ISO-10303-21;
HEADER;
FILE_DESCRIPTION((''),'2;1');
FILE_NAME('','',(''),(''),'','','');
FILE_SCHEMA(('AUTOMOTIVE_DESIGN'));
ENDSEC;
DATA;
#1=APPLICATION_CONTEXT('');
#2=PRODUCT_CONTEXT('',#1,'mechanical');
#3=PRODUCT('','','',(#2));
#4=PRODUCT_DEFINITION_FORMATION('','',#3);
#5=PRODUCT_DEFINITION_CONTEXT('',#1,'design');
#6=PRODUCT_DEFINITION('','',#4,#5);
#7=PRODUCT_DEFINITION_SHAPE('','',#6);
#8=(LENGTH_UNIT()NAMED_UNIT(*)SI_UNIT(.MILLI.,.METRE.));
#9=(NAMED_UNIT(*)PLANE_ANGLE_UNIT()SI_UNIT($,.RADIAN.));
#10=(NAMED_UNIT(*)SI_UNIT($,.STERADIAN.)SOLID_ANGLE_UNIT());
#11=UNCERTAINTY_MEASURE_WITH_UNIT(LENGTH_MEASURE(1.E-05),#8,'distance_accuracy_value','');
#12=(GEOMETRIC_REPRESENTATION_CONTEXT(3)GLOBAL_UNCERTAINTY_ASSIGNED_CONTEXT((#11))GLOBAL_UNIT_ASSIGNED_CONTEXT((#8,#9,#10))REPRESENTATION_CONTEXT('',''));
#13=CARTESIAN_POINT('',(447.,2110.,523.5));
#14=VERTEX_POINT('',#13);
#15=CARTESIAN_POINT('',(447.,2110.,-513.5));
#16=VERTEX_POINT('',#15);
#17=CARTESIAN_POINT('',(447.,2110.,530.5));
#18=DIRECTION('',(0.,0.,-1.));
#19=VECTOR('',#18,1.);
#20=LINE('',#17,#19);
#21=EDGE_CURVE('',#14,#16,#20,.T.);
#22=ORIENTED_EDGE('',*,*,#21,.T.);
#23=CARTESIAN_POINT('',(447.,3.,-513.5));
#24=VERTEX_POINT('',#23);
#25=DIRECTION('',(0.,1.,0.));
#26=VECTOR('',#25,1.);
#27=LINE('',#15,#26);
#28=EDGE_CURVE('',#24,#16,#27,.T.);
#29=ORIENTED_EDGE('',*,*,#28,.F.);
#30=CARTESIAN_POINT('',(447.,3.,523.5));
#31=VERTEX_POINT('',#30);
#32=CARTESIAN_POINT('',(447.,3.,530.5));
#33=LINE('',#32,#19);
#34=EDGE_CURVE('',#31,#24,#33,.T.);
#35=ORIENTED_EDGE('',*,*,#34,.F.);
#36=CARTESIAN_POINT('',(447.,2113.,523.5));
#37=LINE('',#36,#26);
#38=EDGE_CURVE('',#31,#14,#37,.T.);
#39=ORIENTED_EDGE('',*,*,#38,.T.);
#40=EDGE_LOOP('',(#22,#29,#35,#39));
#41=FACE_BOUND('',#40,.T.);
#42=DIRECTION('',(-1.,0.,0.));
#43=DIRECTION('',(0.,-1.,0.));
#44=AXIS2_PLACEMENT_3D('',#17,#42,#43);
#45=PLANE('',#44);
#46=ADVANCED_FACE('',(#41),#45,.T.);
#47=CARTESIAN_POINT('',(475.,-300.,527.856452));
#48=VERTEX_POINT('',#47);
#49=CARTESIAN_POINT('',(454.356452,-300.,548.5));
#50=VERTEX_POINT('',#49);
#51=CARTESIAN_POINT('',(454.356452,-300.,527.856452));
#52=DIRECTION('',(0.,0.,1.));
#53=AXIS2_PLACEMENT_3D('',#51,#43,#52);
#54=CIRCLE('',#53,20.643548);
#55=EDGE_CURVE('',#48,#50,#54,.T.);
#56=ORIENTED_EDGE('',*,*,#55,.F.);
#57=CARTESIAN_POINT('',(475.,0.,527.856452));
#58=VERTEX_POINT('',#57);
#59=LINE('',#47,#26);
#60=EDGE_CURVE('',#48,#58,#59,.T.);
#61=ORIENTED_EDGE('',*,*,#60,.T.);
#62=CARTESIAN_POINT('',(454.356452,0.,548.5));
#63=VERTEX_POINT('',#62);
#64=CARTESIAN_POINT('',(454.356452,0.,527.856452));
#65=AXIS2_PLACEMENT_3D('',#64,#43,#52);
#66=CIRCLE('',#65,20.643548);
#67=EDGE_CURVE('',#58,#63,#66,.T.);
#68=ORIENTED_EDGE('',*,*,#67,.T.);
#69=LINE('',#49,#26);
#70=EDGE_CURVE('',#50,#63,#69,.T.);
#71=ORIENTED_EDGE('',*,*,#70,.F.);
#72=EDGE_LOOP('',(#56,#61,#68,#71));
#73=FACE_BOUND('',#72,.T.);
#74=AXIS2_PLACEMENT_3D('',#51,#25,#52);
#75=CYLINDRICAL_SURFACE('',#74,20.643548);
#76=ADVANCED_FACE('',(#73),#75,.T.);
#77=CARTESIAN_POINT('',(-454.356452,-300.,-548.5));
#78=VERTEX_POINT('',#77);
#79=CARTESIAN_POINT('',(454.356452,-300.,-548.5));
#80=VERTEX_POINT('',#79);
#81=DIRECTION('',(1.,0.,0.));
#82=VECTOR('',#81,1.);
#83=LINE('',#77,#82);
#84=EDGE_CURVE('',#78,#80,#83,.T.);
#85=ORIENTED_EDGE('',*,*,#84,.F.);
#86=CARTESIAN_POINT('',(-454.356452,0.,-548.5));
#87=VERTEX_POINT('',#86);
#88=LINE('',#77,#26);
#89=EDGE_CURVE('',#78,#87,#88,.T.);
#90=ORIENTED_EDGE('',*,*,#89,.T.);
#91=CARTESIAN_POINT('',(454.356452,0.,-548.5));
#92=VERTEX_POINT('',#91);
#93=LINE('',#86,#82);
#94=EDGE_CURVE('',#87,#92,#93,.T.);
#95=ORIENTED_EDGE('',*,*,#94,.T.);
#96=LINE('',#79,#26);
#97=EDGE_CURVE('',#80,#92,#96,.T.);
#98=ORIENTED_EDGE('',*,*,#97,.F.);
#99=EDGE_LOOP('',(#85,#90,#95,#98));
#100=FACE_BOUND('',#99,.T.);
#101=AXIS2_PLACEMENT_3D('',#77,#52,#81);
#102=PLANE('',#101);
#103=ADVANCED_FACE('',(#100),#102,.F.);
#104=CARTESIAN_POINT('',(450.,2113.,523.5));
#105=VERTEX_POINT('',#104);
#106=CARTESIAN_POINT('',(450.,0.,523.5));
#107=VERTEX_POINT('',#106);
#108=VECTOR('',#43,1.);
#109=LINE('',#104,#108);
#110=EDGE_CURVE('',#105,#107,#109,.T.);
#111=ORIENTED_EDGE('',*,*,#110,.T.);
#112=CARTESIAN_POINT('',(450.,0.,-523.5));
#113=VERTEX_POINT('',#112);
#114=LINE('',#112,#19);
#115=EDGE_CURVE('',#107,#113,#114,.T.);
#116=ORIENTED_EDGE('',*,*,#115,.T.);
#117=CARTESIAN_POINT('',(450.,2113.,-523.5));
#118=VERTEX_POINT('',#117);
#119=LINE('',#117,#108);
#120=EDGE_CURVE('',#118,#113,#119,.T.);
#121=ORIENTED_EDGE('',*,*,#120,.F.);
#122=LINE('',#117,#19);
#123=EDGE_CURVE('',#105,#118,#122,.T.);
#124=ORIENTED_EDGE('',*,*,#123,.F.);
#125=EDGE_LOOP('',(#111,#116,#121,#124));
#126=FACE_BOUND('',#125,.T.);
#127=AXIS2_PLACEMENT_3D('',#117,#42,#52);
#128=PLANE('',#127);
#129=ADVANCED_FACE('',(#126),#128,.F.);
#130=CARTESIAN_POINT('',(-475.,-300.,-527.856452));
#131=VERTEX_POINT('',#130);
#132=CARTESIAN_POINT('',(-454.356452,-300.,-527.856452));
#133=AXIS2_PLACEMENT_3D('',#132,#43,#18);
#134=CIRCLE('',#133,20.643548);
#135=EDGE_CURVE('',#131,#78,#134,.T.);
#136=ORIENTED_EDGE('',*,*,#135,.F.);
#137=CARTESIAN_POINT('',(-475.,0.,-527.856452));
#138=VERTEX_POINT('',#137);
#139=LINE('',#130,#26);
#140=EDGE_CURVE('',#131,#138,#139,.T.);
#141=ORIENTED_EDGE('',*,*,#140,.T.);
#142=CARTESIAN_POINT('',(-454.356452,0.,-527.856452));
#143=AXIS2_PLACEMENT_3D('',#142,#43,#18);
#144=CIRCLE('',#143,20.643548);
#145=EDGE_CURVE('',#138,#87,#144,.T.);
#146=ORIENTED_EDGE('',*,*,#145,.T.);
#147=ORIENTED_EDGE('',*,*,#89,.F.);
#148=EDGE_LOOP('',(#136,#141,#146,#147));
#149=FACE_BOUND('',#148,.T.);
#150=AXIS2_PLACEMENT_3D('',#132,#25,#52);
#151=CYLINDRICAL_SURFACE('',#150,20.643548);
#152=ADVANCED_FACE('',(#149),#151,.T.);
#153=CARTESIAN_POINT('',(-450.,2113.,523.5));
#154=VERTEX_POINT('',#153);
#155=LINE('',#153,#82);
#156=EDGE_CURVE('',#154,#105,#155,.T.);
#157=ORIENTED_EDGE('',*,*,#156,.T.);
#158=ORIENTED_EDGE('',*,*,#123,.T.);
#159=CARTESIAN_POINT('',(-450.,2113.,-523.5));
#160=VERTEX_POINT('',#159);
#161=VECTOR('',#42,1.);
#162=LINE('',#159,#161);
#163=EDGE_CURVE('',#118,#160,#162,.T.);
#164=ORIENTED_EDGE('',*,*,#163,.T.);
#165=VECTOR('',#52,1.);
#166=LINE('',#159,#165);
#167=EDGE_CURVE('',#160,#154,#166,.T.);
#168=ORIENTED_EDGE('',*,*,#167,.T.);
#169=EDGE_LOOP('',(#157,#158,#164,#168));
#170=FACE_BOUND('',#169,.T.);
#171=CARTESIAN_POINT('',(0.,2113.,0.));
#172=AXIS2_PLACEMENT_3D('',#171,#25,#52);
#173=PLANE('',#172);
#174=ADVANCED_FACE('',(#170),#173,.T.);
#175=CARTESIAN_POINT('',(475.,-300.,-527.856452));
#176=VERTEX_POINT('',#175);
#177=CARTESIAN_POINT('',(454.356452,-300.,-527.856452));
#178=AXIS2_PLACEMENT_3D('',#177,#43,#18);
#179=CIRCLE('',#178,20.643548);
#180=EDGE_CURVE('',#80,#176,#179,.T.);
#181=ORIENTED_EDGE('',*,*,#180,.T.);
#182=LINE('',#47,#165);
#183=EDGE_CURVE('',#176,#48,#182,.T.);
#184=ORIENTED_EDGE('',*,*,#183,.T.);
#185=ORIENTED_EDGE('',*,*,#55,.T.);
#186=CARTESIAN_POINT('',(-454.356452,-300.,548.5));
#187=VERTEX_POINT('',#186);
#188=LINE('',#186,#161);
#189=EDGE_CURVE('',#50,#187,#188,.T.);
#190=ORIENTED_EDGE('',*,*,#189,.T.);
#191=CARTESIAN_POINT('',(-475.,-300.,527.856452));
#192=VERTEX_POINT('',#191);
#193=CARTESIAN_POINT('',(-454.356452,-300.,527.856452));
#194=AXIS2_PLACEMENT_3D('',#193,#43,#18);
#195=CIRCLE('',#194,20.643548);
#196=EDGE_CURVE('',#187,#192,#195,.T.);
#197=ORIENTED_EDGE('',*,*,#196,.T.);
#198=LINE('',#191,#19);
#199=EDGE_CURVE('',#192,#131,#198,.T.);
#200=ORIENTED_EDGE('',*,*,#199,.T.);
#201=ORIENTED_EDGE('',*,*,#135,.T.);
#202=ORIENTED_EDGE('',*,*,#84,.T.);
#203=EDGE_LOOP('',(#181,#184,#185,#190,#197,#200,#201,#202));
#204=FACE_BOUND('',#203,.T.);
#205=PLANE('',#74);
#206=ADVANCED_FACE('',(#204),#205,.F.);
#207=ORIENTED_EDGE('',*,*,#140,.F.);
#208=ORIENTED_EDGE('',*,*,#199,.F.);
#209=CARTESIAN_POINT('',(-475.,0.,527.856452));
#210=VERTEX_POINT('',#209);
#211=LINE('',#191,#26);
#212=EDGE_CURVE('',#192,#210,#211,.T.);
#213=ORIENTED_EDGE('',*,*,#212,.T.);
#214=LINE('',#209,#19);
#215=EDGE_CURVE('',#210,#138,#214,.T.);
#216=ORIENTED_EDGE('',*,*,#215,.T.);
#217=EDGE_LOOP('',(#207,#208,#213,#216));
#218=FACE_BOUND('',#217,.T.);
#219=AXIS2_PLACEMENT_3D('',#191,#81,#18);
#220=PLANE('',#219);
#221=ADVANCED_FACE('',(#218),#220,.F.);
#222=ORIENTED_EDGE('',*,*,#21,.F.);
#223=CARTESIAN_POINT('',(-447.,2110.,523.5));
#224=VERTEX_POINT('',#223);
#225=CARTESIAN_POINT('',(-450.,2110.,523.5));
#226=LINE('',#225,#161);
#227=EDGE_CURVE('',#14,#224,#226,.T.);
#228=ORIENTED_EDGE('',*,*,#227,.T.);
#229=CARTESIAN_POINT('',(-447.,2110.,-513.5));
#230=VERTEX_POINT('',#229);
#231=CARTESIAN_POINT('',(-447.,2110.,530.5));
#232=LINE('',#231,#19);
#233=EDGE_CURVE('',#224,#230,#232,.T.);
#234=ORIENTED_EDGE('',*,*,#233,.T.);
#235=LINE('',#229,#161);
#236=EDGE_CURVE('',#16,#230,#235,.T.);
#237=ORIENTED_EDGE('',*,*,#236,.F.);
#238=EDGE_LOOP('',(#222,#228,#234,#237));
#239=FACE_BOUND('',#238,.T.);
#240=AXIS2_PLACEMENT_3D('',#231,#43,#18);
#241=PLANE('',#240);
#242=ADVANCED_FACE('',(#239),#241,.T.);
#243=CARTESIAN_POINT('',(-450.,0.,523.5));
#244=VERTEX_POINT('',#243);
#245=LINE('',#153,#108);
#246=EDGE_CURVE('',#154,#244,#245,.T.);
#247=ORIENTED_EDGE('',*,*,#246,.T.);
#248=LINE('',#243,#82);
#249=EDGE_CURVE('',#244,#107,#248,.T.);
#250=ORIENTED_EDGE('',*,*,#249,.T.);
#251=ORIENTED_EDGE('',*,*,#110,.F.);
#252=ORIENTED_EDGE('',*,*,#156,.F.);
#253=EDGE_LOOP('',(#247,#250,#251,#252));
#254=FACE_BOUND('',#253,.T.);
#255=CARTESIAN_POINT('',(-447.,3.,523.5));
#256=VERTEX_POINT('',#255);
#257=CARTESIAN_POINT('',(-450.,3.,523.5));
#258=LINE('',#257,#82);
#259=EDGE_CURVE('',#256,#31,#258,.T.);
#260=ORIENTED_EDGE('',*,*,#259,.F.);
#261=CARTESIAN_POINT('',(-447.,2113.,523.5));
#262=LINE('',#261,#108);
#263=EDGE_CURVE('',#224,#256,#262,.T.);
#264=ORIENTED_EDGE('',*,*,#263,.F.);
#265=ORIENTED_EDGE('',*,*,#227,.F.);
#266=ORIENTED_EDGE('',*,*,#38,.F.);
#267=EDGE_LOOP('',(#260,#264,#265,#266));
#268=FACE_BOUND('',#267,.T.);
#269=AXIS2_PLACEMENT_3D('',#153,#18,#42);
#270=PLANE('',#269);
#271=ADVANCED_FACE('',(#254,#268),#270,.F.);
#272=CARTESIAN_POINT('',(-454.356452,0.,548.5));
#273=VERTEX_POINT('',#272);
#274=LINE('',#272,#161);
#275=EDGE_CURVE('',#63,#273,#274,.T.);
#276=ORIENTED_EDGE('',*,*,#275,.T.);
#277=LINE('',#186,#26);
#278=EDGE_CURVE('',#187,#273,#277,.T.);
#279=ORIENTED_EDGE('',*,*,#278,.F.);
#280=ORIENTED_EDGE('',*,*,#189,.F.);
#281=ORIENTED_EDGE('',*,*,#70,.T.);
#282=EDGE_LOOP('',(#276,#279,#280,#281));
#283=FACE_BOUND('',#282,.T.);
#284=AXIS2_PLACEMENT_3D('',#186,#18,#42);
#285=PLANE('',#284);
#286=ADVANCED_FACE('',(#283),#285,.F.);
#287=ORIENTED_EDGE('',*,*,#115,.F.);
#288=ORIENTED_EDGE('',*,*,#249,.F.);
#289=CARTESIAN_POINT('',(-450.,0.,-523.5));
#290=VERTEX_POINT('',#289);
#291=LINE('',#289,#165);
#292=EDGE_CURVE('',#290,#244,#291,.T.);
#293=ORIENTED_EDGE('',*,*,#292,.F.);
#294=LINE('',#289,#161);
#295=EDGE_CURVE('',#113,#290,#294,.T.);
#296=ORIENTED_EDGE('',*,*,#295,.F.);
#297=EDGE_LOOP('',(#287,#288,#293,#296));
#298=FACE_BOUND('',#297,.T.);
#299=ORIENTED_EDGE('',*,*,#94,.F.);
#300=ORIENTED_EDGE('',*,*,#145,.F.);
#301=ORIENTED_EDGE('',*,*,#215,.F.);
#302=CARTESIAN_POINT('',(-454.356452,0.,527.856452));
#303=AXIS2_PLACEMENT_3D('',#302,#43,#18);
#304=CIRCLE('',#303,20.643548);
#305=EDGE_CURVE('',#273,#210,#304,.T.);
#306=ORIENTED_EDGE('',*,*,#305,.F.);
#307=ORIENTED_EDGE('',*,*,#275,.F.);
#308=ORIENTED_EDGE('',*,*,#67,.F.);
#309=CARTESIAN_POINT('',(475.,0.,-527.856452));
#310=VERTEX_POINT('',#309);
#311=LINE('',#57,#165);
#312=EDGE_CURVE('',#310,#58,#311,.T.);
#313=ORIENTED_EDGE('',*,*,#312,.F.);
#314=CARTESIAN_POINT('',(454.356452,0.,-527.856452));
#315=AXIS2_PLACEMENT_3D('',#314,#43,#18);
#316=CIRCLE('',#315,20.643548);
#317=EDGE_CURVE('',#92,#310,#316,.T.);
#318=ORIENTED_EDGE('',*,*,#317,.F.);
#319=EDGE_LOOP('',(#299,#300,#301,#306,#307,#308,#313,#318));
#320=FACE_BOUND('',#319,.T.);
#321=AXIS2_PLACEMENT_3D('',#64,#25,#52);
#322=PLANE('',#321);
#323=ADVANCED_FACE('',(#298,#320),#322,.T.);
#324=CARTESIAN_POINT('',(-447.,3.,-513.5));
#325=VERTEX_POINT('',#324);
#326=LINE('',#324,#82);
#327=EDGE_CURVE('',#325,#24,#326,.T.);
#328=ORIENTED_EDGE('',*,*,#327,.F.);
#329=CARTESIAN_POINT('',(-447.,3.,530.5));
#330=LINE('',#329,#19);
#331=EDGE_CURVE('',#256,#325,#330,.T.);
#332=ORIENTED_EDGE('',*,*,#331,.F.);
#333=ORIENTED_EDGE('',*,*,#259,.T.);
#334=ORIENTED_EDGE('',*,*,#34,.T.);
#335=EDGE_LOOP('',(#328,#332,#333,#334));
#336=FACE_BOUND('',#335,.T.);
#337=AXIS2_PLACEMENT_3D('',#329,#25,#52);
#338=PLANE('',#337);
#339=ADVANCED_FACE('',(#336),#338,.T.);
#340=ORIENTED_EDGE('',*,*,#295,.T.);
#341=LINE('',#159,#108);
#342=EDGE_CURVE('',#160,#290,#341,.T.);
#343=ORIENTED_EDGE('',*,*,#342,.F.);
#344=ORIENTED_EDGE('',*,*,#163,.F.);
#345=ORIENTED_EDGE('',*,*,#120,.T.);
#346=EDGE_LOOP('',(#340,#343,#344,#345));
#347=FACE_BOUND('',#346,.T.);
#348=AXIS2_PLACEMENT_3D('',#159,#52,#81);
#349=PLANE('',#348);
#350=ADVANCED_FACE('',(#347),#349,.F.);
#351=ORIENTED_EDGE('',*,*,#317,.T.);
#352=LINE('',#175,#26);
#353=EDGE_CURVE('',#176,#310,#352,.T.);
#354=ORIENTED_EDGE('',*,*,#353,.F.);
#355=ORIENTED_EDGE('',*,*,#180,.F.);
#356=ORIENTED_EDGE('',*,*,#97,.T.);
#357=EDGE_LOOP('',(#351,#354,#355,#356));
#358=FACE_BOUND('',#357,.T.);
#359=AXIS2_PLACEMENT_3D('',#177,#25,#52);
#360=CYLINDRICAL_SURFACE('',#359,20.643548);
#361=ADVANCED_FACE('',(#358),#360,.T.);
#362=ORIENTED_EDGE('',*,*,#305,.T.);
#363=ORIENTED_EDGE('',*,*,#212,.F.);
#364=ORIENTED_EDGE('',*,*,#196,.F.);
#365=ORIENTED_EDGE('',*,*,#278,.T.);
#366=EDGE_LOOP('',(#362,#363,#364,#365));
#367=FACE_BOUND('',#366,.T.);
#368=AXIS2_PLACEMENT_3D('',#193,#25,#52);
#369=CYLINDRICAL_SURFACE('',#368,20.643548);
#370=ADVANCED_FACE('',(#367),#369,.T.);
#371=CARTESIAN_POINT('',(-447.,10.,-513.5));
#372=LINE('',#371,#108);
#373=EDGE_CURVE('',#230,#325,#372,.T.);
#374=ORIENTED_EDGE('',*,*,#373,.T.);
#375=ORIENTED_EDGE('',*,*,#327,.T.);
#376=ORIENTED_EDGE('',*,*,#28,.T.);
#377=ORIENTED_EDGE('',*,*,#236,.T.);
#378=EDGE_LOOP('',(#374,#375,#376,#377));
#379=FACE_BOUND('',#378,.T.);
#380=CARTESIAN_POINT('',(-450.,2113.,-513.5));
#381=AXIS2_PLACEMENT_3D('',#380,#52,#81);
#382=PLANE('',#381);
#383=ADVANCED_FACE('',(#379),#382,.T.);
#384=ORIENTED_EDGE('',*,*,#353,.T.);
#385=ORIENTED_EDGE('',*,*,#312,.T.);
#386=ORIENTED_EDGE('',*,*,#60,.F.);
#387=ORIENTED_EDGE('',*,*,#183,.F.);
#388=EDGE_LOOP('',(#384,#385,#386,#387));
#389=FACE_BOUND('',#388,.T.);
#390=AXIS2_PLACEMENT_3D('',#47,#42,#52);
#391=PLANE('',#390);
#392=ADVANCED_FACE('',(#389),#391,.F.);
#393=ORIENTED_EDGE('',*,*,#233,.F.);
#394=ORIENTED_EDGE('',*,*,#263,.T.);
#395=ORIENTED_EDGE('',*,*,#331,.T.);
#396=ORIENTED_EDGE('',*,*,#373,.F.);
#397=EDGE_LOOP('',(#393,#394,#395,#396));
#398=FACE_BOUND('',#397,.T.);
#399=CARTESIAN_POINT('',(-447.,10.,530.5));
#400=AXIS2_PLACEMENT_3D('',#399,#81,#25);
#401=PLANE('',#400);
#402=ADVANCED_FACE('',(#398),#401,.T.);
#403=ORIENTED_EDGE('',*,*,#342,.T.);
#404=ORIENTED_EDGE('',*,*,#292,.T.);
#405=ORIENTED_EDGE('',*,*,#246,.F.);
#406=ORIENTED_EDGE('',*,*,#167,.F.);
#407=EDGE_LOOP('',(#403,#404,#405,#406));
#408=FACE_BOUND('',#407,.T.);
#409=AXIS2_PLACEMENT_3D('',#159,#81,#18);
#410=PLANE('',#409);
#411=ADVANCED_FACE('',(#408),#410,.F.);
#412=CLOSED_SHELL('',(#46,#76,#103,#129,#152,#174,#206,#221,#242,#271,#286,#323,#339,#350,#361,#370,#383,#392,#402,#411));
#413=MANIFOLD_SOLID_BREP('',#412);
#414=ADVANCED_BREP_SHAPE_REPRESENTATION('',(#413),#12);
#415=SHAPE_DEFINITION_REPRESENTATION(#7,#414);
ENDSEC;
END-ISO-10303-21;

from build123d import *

# Parameters (mm, degrees)
CROQUIS1_W              = 900
CROQUIS1_H              = 1047
SALIENTE_EXTRUIR1_DEPTH = 2113
VACIADO2_T              = -10
CROQUIS2_W              = 880
CROQUIS2_H              = 2093
SALIENTE_EXTRUIR2_DEPTH = 5
SALIENTE_EXTRUIR3_DEPTH = 300
CORTAR_EXTRUIR1_DEPTH   = 1044


with BuildPart() as part:
    # Croquis1 → Saliente-Extruir1 (new body)
    with BuildSketch(Plane(origin=(0, 0, 0), x_dir=(1, 0, 0), z_dir=(0, 1, 0))):
        Rectangle(CROQUIS1_W, CROQUIS1_H)
    extrude(amount=SALIENTE_EXTRUIR1_DEPTH)

    # Vaciado2
    vaciado2_openings = [part.faces().sort_by_distance(p)[0] for p in [
        (0, 1056.5, 523.5),
    ]]
    offset(amount=VACIADO2_T, openings=vaciado2_openings, kind=Kind.INTERSECTION)

    # Croquis2 → Saliente-Extruir2 (add)
    with BuildSketch(Plane.XY.offset(523.5)):
        with Locations((0, 1056.5)):
            Rectangle(CROQUIS2_W, CROQUIS2_H)
    extrude(amount=-SALIENTE_EXTRUIR2_DEPTH)

    # Croquis4 → Saliente-Extruir3 (add)
    with BuildSketch(Plane.XZ):
        with BuildLine():
            Line((-454.35645152, 548.5), (454.35645152, 548.5))
            ThreePointArc((454.35645152, 548.5), (468.953644638, 542.453644638), (475, 527.85645152))
            Line((475, 527.85645152), (475, -527.85645152))
            ThreePointArc((475, -527.85645152), (468.953644638, -542.453644638), (454.35645152, -548.5))
            Line((454.35645152, -548.5), (-454.35645152, -548.5))
            ThreePointArc((-454.35645152, -548.5), (-468.953644638, -542.453644638), (-475, -527.85645152))
            Line((-475, -527.85645152), (-475, 527.85645152))
            ThreePointArc((-475, 527.85645152), (-468.953644638, 542.453644638), (-454.35645152, 548.5))
        make_face()
    extrude(amount=SALIENTE_EXTRUIR3_DEPTH)

    # Croquis5 → Cortar-Extruir1 (cut)
    with BuildSketch(Plane.XY.offset(-513.5)):
        Polygon((-447, 10), (-447, 2110), (447, 2110), (447, 10), (447, 3), (-447, 3), align=None)
    extrude(amount=CORTAR_EXTRUIR1_DEPTH, mode=Mode.SUBTRACT)


solid = part.part
